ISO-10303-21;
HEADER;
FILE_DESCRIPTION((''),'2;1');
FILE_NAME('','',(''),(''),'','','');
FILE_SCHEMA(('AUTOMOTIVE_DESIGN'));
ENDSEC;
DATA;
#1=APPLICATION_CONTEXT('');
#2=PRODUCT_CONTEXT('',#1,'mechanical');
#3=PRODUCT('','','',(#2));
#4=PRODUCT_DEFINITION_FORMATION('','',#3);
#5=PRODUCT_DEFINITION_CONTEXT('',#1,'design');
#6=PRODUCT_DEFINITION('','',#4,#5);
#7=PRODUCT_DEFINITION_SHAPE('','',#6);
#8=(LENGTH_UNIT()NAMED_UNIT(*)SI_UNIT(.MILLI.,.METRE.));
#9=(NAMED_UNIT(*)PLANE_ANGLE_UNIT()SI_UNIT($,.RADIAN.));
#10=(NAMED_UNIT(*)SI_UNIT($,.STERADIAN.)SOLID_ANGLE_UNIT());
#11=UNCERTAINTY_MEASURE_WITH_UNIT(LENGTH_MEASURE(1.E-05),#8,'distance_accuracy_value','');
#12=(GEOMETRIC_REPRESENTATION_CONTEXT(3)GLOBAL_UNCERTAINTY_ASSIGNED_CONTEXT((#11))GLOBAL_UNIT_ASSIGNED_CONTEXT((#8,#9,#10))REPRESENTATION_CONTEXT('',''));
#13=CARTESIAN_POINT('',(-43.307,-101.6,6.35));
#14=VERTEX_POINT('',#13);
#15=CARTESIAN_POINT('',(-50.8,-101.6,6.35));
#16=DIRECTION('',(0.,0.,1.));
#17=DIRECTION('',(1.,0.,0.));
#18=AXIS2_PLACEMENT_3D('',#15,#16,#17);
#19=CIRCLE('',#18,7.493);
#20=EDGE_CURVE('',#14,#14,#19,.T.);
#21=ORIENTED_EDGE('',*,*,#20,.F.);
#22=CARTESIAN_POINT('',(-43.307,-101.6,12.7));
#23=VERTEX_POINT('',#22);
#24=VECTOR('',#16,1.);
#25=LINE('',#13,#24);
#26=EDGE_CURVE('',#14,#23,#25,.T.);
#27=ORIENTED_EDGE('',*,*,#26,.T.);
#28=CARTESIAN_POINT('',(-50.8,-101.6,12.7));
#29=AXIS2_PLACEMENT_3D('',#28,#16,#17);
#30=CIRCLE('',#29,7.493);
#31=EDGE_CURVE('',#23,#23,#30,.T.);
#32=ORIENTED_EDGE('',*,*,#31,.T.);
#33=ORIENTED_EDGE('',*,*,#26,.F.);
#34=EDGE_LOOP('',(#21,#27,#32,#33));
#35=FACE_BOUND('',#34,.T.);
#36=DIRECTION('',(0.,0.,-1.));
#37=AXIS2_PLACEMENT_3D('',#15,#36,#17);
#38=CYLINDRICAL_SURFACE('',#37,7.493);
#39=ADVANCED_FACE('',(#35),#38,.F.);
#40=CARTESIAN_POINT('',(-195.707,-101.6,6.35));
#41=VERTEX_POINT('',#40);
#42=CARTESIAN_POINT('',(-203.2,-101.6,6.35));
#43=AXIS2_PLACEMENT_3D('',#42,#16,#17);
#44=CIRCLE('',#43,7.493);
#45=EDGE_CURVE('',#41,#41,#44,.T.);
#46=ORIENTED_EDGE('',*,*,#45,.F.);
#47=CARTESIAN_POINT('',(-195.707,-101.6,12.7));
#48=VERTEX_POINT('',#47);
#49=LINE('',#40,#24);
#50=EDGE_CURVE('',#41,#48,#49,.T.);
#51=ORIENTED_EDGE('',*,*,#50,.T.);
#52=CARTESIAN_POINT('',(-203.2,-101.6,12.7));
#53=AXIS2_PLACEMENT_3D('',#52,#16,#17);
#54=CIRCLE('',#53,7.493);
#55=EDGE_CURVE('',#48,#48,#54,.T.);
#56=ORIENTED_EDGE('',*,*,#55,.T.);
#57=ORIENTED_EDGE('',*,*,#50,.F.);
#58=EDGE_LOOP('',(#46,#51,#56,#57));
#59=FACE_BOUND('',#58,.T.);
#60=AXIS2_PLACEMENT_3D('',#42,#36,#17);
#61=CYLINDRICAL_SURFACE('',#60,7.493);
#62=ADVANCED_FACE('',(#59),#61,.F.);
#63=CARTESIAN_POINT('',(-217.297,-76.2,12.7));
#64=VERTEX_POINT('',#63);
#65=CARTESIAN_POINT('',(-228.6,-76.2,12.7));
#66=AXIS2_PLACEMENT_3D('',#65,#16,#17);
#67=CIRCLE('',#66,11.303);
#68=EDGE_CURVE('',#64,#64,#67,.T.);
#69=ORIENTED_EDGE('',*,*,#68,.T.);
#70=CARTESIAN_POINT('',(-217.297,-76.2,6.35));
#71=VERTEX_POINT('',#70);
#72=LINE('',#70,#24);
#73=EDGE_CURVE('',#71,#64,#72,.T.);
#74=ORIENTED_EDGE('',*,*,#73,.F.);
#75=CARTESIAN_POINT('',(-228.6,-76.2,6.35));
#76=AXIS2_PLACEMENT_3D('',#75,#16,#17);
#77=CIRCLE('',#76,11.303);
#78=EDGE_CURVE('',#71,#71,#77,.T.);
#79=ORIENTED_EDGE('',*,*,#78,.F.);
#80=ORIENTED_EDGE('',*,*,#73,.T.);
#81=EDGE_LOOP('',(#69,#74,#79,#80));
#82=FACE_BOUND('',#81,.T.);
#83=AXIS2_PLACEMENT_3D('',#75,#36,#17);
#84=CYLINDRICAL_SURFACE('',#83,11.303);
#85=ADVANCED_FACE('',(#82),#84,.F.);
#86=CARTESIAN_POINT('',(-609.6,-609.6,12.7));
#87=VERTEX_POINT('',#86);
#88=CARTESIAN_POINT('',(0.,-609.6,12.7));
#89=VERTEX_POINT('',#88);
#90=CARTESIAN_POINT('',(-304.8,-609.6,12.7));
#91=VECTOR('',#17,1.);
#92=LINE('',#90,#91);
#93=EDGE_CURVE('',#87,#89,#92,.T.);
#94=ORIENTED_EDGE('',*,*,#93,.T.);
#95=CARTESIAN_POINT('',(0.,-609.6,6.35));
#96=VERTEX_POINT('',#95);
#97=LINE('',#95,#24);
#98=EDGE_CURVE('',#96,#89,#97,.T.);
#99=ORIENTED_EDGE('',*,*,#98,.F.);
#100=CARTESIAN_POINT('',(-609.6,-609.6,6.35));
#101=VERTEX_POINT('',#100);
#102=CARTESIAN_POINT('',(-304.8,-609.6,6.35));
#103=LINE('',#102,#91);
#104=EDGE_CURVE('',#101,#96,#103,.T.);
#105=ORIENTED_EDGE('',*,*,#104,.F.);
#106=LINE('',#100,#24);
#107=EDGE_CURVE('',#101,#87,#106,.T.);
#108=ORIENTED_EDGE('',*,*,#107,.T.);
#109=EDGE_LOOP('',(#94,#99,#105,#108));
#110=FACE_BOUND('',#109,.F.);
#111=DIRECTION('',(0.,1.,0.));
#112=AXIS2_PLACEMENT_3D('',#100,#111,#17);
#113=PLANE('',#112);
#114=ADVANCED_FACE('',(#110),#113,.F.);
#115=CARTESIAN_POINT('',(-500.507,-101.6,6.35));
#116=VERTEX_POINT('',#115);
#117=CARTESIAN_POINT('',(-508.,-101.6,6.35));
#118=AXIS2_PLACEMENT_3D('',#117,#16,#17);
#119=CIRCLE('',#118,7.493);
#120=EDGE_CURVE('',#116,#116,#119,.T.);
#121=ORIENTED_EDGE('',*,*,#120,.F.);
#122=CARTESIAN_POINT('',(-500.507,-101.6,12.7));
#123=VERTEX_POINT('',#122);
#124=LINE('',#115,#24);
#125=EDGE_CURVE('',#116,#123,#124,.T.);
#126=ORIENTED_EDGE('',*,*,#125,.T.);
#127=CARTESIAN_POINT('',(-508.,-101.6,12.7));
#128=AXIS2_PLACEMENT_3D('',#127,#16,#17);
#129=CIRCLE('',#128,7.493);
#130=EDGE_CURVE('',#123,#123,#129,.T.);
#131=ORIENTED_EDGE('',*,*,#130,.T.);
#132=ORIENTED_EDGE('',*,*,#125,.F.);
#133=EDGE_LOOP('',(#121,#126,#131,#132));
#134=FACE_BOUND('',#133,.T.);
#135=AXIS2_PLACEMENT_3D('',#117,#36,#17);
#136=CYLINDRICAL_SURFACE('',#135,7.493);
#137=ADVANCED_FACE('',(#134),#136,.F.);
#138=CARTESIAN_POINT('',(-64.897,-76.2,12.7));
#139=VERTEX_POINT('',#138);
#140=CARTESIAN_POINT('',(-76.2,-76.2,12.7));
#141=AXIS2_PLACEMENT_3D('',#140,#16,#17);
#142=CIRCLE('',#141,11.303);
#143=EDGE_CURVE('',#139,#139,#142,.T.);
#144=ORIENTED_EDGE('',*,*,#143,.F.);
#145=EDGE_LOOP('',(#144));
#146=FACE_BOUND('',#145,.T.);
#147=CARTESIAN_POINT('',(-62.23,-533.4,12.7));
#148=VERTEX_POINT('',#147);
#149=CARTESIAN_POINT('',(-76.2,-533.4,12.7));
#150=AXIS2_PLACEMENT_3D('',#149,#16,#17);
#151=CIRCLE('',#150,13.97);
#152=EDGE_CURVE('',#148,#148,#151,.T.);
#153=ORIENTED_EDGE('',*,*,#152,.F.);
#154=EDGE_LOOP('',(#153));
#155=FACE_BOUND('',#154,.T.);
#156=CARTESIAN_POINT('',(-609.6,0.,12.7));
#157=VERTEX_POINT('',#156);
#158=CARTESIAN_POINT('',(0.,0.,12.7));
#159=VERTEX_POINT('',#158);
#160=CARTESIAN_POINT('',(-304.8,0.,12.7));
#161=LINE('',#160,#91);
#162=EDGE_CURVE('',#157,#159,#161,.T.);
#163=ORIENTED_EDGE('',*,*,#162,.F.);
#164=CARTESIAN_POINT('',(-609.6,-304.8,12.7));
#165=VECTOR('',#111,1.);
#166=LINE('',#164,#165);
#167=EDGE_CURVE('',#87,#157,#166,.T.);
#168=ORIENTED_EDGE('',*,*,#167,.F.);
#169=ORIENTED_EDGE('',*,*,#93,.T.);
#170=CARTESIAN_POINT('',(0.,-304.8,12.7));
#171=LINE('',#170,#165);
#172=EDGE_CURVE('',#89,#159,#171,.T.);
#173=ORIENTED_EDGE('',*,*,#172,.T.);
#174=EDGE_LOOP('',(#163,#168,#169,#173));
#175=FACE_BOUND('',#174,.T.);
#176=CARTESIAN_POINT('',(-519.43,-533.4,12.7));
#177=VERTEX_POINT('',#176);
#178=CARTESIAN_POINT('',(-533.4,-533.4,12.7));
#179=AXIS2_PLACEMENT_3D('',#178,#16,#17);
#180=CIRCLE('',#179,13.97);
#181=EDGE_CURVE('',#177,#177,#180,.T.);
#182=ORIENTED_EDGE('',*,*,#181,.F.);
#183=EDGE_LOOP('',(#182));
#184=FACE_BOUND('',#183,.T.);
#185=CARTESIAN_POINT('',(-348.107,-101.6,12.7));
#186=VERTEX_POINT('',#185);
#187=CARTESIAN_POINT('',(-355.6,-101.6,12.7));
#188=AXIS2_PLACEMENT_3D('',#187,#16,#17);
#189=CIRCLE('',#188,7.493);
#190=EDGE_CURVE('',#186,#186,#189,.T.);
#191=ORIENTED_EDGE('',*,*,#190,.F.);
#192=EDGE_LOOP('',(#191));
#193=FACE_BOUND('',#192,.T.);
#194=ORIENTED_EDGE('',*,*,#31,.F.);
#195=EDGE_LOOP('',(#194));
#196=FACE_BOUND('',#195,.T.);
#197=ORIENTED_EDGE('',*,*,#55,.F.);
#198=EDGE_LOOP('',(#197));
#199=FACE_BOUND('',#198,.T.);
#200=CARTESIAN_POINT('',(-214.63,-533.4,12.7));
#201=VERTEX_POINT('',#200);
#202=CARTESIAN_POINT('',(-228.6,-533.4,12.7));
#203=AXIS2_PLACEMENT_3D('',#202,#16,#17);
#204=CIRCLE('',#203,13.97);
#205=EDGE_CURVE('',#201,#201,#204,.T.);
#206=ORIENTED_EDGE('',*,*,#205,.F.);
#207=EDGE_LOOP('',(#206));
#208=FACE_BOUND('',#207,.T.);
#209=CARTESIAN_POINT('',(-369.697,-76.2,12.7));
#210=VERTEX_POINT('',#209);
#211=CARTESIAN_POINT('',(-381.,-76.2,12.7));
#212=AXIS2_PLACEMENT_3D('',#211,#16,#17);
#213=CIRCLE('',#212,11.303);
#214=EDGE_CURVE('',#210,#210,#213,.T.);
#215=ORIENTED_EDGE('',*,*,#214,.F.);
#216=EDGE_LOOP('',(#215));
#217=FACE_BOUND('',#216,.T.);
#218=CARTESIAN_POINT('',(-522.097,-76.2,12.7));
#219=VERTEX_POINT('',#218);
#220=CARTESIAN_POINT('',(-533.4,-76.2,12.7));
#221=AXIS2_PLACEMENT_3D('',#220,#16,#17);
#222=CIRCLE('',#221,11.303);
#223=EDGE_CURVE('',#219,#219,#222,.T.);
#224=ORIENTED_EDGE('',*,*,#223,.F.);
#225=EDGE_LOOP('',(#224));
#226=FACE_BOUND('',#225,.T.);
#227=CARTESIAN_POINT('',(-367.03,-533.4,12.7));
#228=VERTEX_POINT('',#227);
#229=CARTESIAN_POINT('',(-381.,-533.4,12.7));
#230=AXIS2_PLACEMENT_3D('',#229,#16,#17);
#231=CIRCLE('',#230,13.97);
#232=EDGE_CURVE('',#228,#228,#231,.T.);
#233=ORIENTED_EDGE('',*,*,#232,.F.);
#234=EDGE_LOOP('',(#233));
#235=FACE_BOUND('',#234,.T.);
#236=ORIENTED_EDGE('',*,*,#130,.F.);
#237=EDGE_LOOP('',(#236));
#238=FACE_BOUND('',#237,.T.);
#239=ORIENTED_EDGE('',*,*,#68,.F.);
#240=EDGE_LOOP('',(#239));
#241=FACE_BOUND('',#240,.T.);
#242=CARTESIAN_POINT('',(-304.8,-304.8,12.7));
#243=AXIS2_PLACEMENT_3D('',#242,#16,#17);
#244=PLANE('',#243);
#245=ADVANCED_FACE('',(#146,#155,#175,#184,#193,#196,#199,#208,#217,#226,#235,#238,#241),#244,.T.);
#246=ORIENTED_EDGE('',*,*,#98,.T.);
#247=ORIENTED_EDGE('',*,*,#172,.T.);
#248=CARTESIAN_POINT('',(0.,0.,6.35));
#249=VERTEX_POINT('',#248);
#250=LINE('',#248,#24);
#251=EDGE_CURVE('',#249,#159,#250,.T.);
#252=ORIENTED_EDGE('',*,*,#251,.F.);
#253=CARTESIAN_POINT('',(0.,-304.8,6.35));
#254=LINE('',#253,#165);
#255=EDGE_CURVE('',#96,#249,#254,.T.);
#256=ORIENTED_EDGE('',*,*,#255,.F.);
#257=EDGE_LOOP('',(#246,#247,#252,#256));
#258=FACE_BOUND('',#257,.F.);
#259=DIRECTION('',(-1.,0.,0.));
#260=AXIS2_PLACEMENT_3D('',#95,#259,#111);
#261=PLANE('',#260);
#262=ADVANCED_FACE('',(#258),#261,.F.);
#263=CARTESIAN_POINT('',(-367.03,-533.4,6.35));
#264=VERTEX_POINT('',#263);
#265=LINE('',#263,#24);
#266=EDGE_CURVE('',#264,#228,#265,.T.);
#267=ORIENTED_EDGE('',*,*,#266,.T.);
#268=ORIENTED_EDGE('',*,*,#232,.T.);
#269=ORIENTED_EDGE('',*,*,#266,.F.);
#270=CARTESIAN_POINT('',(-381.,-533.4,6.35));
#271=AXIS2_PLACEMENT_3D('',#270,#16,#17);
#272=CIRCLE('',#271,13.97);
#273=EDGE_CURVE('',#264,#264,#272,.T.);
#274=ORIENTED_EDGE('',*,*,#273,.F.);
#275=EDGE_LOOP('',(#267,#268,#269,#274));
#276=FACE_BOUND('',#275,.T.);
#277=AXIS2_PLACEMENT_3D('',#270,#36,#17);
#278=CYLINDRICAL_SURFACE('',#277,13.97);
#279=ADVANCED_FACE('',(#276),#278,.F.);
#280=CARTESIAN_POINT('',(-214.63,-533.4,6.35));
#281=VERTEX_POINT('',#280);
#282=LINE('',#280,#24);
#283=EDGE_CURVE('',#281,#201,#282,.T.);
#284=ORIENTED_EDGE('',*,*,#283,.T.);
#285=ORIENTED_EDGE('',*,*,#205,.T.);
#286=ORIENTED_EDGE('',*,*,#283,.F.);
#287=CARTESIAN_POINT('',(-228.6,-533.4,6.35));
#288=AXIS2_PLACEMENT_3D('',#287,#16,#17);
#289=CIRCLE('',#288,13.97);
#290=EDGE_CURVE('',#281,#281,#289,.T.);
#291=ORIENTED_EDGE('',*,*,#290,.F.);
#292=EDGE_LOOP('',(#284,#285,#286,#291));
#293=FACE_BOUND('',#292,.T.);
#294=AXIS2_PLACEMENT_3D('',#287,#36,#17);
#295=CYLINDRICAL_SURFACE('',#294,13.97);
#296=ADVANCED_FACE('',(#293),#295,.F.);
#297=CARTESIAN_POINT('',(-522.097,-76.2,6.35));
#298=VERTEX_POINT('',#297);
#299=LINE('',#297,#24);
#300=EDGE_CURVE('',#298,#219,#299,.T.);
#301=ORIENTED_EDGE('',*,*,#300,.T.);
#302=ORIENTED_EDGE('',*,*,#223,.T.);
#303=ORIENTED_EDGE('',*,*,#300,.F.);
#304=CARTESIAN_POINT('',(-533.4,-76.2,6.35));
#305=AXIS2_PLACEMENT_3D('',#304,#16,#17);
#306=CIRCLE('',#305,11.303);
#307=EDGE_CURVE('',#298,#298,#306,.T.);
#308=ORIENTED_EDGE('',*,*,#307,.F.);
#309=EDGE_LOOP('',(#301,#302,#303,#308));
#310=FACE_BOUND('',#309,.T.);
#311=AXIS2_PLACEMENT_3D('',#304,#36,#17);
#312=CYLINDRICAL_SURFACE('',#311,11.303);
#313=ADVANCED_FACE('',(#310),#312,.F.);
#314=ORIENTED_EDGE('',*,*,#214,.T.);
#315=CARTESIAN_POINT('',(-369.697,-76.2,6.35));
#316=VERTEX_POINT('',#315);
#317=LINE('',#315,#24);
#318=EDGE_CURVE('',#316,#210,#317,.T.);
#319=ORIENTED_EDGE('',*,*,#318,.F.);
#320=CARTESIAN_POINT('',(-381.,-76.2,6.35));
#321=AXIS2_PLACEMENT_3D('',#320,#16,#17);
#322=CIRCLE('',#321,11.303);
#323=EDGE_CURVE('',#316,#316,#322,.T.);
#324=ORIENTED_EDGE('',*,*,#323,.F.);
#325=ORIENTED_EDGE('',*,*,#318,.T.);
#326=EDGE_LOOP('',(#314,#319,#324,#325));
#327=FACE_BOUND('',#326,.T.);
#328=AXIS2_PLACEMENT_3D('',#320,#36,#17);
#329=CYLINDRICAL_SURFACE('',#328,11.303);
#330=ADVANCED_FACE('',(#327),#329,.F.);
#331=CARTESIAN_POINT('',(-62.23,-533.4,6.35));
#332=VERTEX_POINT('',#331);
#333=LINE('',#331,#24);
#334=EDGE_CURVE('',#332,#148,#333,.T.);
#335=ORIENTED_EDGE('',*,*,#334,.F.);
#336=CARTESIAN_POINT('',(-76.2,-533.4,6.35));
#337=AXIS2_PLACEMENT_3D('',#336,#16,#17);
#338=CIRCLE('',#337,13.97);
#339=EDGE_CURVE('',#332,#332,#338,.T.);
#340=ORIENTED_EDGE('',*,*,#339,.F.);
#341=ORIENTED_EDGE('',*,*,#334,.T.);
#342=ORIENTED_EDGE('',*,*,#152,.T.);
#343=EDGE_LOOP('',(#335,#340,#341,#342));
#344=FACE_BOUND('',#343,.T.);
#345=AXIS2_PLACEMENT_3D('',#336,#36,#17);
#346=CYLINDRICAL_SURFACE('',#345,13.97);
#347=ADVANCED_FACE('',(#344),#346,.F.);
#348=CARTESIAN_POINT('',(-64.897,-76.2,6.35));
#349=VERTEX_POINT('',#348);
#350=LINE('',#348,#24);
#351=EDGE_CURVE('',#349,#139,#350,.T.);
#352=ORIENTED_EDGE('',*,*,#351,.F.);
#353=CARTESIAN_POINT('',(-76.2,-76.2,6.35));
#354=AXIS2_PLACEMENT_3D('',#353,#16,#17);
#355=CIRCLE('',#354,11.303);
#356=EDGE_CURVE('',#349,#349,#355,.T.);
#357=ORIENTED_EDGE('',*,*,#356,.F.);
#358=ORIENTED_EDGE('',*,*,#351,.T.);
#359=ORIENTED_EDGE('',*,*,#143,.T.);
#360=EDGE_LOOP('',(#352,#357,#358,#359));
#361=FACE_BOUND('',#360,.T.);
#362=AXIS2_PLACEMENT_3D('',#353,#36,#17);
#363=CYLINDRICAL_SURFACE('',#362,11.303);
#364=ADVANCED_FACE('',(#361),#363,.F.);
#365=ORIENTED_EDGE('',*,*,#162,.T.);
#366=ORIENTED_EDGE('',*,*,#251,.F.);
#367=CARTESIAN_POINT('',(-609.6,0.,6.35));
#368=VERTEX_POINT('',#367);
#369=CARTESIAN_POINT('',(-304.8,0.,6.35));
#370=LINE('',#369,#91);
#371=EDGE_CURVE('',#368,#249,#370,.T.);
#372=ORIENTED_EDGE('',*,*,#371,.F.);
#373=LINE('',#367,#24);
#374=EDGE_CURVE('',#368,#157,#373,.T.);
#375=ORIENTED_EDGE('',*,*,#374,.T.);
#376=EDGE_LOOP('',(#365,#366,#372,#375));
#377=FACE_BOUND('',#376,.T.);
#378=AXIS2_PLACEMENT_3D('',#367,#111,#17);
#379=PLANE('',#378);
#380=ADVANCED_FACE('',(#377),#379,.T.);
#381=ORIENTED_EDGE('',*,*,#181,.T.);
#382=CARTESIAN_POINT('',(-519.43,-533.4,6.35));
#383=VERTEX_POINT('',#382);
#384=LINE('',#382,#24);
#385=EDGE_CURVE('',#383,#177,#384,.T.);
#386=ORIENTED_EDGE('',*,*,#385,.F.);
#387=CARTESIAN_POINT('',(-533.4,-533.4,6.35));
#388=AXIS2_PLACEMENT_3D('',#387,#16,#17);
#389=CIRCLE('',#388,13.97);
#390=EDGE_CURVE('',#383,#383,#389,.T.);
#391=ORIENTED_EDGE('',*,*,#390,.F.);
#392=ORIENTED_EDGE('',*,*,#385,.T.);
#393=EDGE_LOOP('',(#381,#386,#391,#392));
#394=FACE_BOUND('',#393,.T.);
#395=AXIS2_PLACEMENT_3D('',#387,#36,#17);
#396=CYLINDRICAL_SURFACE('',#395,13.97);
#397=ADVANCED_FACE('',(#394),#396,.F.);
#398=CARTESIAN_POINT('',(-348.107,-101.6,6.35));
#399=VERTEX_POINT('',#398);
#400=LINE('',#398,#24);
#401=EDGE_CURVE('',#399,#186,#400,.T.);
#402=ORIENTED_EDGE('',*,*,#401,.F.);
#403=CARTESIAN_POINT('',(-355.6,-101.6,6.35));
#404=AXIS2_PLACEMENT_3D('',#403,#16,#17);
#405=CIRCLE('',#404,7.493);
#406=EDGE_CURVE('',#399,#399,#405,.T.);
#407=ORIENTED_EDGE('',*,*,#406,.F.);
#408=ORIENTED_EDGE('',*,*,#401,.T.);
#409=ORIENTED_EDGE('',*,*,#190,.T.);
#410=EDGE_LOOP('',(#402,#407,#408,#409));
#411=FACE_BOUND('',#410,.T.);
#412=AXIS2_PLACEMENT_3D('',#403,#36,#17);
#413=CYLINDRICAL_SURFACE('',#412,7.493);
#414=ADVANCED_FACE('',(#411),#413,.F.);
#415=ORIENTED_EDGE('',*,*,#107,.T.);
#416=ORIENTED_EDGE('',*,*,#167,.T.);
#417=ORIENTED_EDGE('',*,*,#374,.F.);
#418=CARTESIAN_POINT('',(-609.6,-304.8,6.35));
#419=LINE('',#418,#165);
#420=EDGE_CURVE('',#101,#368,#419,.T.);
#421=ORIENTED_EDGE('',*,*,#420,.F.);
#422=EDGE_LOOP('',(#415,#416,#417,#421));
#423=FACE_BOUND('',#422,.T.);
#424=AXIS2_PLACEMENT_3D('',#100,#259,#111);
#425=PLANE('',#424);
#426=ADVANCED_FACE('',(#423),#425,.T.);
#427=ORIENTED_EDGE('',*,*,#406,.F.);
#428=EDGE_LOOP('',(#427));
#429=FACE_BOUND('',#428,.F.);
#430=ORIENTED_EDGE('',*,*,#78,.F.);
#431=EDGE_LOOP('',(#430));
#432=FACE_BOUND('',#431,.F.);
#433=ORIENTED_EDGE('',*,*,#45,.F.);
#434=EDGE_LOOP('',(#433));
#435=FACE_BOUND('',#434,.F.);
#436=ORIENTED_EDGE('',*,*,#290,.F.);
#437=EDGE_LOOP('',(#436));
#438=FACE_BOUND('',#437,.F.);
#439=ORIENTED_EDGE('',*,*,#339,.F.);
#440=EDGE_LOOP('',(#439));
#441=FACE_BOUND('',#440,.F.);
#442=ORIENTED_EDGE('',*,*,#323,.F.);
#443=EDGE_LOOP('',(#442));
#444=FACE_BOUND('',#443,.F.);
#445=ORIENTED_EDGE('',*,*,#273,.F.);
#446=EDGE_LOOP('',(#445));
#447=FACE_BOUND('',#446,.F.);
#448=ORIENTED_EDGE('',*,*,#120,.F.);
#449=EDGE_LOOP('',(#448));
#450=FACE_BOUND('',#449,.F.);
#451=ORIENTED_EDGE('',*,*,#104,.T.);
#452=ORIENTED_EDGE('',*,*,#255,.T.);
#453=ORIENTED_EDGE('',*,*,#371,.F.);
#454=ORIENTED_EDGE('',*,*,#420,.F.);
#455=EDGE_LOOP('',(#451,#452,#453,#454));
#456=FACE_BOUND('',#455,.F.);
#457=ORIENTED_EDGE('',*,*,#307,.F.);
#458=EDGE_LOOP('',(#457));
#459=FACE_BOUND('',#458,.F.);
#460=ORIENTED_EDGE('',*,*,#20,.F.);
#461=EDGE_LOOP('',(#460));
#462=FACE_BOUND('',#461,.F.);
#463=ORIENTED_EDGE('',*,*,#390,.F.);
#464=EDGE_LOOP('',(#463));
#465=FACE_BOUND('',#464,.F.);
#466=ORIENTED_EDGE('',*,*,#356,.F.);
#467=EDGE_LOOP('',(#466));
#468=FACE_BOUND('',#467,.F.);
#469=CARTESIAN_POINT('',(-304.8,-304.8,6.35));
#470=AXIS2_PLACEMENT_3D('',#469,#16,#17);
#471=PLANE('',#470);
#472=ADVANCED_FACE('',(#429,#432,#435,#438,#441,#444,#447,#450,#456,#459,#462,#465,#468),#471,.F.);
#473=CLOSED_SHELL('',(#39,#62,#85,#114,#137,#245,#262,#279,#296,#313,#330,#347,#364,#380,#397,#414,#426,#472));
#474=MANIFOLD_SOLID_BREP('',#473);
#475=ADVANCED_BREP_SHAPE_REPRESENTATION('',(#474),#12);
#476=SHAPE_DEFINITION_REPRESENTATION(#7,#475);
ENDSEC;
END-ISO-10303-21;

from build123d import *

# Parameters (mm, degrees)
SKETCH_W   = 609.6
SKETCH_H   = 609.6
SKETCH_R   = 11.303
SKETCH_R_2 = 7.493
SKETCH_R_3 = 13.97
PAD_DEPTH  = 6.35


with BuildPart() as part:
    # Sketch → Pad (new body)
    with BuildSketch(Plane(origin=(-304.8, -304.8, 6.35), x_dir=(1, 0, 0), z_dir=(0, 0, 1))):
        Rectangle(SKETCH_W, SKETCH_H)
        with Locations((-228.6, 228.6)):
            Circle(SKETCH_R, mode=Mode.SUBTRACT)
        with Locations((-76.2, 228.6)):
            Circle(SKETCH_R, mode=Mode.SUBTRACT)
        with Locations((76.2, 228.6)):
            Circle(SKETCH_R, mode=Mode.SUBTRACT)
        with Locations((228.6, 228.6)):
            Circle(SKETCH_R, mode=Mode.SUBTRACT)
        with Locations((-203.2, 203.2)):
            Circle(SKETCH_R_2, mode=Mode.SUBTRACT)
        with Locations((-50.8, 203.2)):
            Circle(SKETCH_R_2, mode=Mode.SUBTRACT)
        with Locations((101.6, 203.2)):
            Circle(SKETCH_R_2, mode=Mode.SUBTRACT)
        with Locations((254, 203.2)):
            Circle(SKETCH_R_2, mode=Mode.SUBTRACT)
        with Locations((-228.6, -228.6)):
            Circle(SKETCH_R_3, mode=Mode.SUBTRACT)
        with Locations((-76.2, -228.6)):
            Circle(SKETCH_R_3, mode=Mode.SUBTRACT)
        with Locations((76.2, -228.6)):
            Circle(SKETCH_R_3, mode=Mode.SUBTRACT)
        with Locations((228.6, -228.6)):
            Circle(SKETCH_R_3, mode=Mode.SUBTRACT)
    extrude(amount=PAD_DEPTH)


solid = part.part
